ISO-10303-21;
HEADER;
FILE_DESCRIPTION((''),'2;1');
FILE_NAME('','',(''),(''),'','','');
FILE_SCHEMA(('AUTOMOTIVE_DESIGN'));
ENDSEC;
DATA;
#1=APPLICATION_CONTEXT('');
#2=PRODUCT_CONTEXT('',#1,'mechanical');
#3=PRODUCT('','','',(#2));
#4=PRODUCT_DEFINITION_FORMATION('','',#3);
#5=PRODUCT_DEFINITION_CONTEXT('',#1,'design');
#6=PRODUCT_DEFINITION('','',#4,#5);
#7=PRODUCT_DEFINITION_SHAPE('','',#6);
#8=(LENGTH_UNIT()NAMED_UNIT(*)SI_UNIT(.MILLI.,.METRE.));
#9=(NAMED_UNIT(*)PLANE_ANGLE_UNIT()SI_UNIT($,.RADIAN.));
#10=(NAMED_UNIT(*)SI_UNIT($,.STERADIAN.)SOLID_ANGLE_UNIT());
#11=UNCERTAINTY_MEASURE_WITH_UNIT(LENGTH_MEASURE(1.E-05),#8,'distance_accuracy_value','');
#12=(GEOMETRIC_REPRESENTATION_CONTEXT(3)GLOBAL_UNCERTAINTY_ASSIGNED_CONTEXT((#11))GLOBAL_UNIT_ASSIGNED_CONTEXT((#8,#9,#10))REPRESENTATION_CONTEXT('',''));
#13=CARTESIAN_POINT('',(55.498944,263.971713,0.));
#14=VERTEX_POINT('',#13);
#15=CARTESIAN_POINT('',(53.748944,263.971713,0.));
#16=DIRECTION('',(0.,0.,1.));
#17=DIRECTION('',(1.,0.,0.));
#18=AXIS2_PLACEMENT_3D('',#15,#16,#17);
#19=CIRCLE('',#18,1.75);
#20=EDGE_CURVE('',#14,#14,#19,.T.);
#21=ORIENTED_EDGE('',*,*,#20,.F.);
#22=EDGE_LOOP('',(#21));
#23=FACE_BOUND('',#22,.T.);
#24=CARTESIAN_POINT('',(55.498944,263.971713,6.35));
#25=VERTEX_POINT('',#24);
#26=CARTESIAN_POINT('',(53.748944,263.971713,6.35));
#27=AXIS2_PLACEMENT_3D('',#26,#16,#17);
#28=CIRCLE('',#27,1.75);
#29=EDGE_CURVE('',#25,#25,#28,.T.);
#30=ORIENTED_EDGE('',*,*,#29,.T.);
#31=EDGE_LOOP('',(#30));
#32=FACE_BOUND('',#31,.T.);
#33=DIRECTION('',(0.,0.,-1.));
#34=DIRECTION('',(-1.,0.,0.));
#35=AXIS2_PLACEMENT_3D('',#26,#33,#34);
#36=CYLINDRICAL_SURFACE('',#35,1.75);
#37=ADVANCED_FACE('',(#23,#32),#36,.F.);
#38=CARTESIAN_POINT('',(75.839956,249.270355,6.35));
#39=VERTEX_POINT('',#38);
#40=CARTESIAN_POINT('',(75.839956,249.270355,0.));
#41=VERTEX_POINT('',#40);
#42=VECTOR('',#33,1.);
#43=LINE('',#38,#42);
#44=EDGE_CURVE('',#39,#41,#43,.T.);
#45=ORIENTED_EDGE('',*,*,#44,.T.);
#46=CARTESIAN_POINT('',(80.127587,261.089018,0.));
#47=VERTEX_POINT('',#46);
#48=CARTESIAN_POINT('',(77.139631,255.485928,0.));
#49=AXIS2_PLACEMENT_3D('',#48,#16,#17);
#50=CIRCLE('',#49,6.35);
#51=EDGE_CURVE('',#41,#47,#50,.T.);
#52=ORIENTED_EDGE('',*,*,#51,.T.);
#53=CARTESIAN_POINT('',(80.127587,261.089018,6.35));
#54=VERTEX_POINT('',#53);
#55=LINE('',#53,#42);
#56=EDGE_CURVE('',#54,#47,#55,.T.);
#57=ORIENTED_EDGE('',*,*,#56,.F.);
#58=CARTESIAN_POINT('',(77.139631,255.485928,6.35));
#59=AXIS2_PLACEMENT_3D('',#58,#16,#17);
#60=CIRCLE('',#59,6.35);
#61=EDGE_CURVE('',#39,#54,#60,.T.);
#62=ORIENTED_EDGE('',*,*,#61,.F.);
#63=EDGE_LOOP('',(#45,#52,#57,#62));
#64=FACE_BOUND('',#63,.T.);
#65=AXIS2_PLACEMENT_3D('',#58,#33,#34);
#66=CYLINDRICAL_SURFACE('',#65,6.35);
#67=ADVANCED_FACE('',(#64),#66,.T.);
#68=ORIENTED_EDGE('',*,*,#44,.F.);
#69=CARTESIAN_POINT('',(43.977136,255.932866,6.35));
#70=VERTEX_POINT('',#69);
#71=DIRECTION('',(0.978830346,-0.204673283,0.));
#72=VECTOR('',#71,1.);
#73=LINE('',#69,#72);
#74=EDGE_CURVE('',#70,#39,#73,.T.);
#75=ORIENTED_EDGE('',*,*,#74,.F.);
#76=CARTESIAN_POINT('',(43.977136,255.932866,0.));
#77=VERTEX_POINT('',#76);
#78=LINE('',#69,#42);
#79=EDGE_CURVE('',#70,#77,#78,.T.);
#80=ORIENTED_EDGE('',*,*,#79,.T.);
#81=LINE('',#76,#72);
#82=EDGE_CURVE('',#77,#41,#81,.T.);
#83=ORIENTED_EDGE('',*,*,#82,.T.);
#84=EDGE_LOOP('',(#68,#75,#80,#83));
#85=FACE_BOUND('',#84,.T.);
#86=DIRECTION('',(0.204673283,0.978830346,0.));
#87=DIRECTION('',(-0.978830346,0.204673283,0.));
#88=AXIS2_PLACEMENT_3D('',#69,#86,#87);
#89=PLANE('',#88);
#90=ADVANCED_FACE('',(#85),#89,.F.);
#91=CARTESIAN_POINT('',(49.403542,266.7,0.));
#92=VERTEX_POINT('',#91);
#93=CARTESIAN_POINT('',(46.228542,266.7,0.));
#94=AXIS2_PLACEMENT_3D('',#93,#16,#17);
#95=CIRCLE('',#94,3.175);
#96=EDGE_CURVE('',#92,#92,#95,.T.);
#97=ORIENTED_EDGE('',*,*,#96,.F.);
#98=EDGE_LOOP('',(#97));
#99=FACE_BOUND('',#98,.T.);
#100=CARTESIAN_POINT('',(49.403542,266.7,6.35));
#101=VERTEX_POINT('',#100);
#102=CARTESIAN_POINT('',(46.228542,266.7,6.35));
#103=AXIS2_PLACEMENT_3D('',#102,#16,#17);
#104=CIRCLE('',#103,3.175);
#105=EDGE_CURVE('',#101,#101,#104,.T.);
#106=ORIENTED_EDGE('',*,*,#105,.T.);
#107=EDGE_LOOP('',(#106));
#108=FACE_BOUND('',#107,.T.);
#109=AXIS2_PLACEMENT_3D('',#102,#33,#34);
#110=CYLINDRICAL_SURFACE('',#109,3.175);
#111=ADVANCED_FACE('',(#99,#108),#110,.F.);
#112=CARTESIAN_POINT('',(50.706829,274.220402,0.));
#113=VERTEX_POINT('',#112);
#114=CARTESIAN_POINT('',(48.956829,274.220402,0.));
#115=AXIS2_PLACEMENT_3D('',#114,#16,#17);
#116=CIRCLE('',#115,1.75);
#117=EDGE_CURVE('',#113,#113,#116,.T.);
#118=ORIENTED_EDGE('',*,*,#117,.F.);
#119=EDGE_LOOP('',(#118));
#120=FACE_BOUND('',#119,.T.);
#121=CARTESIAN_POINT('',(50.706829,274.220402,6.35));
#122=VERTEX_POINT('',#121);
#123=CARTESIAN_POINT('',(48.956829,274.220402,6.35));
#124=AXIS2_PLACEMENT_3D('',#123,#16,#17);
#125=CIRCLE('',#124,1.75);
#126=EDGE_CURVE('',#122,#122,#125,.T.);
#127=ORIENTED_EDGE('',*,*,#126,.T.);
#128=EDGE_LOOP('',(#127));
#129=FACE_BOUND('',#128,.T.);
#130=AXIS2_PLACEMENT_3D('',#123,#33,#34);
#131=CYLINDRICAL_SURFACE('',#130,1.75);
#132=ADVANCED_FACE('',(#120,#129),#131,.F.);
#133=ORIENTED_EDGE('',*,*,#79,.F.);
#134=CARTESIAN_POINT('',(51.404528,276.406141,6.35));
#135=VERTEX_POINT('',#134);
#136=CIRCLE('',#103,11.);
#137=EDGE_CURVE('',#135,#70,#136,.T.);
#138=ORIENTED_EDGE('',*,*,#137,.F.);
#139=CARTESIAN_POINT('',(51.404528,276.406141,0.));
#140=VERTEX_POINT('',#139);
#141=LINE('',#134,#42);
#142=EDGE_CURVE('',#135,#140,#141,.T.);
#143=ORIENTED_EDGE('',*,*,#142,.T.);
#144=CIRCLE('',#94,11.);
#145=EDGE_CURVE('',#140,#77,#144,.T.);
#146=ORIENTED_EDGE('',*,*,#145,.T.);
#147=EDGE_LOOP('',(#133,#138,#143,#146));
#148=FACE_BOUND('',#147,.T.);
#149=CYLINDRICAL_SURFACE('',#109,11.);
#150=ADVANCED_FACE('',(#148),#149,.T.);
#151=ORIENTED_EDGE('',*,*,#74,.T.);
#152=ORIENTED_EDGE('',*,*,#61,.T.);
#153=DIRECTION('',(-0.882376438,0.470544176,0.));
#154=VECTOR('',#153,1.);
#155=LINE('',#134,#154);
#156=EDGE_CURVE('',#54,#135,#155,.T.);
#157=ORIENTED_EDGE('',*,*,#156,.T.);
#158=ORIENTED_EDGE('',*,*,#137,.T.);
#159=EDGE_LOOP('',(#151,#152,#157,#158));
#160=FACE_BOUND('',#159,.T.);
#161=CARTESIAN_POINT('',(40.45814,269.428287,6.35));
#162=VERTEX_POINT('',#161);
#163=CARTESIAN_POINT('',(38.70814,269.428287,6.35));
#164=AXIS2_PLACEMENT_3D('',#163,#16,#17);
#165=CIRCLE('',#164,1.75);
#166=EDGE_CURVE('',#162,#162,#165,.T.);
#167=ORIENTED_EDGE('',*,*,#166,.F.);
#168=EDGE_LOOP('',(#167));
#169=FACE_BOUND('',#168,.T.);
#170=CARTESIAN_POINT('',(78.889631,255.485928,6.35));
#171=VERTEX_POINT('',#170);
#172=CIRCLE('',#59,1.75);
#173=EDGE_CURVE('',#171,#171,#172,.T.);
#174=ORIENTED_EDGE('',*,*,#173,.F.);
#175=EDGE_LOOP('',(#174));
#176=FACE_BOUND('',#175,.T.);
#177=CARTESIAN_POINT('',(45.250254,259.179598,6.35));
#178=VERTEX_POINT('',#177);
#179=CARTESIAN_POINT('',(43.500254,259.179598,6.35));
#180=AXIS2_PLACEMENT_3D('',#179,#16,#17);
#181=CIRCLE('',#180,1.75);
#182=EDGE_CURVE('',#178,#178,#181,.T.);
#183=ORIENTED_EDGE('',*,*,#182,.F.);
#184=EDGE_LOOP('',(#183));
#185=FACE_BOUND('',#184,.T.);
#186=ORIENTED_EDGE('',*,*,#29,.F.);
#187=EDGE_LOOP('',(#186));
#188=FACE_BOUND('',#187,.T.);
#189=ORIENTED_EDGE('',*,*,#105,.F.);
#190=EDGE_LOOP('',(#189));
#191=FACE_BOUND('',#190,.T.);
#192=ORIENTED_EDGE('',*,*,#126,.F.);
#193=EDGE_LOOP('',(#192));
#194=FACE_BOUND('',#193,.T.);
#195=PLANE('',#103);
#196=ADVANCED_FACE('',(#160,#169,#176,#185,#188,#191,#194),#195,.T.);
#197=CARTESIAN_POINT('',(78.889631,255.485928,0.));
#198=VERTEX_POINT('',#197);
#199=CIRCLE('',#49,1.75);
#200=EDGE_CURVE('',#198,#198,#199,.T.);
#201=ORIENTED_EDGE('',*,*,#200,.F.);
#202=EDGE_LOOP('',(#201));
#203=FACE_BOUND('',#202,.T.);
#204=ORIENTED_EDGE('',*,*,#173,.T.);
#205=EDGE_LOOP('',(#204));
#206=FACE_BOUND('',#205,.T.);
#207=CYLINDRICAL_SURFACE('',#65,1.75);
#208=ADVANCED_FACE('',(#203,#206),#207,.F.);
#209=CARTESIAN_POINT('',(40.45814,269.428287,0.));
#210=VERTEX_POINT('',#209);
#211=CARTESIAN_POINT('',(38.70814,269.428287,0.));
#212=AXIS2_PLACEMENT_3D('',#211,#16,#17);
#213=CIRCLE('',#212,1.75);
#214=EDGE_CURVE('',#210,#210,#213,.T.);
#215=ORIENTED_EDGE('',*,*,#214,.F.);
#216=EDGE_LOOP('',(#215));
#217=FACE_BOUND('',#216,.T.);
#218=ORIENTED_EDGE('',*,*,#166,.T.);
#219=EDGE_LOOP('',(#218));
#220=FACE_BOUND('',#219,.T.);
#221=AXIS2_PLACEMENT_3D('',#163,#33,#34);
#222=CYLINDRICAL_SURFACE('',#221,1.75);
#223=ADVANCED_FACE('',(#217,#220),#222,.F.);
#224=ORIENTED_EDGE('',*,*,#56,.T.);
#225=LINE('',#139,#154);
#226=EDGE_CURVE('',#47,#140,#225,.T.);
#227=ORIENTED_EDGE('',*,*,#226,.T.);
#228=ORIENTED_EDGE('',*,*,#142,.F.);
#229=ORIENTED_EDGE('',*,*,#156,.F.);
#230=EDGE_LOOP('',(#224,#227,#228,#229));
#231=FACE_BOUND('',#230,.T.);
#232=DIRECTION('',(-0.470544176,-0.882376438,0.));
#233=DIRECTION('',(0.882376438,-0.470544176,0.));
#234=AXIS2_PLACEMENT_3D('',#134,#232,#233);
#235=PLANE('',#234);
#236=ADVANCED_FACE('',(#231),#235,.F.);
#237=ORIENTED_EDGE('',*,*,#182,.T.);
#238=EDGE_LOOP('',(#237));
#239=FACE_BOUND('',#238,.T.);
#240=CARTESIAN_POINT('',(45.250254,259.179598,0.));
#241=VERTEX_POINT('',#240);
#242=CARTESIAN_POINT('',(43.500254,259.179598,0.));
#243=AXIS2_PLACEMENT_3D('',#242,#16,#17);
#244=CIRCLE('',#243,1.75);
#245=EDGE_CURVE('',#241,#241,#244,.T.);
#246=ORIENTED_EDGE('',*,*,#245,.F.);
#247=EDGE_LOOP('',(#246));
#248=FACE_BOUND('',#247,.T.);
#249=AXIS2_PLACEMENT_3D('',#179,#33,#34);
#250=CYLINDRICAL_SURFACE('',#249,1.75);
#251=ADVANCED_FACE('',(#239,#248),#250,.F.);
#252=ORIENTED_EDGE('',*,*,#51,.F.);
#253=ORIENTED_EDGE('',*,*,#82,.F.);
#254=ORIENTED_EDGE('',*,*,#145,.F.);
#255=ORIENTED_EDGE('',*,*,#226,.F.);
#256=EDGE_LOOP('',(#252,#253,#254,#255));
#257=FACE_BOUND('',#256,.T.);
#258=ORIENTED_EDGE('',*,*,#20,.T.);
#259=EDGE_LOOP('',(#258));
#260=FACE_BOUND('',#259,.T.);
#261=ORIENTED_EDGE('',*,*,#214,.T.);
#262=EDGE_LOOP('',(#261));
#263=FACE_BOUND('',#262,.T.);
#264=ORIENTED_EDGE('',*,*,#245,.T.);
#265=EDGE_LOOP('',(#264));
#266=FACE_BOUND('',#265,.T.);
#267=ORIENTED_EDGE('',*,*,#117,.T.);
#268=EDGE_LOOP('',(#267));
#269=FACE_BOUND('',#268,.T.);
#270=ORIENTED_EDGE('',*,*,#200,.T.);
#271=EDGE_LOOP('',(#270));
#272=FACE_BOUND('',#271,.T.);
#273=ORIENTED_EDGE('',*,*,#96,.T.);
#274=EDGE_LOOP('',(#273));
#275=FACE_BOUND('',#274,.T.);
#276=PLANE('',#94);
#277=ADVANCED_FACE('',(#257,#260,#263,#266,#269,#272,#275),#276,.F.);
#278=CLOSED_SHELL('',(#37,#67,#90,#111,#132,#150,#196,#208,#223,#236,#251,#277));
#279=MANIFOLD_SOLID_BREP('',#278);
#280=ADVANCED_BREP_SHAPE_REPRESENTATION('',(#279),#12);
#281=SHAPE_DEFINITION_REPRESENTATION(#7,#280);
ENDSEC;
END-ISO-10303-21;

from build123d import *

# Parameters (mm, degrees)
SKETCH4_R           = 3.175
SKETCH4_R_2         = 1.75
BOSS_EXTRUDE1_DEPTH = 6.35


with BuildPart() as part:
    # Sketch4 → Boss-Extrude1 (new body)
    with BuildSketch(Plane.XY):
        with BuildLine():
            Line((43.977135669, 255.932866189), (75.839955751, 249.270355141))
            ThreePointArc((75.839955751, 249.270355141), (83.108950302, 253.320349798), (80.127586616, 261.089018222))
            Line((80.127586616, 261.089018222), (51.40452772, 276.406140819))
            ThreePointArc((51.40452772, 276.406140819), (35.887988835, 270.451395034), (43.977135669, 255.932866189))
        make_face()
        with Locations((46.228541785, 266.7)):
            Circle(SKETCH4_R, mode=Mode.SUBTRACT)
        with Locations((53.74894393, 263.971712703)):
            Circle(SKETCH4_R_2, mode=Mode.SUBTRACT)
        with Locations((77.139631099, 255.485927841)):
            Circle(SKETCH4_R_2, mode=Mode.SUBTRACT)
        with Locations((43.500254487, 259.179597855)):
            Circle(SKETCH4_R_2, mode=Mode.SUBTRACT)
        with Locations((38.708139639, 269.428287297)):
            Circle(SKETCH4_R_2, mode=Mode.SUBTRACT)
        with Locations((48.956829082, 274.220402145)):
            Circle(SKETCH4_R_2, mode=Mode.SUBTRACT)
    extrude(amount=BOSS_EXTRUDE1_DEPTH)


solid = part.part
